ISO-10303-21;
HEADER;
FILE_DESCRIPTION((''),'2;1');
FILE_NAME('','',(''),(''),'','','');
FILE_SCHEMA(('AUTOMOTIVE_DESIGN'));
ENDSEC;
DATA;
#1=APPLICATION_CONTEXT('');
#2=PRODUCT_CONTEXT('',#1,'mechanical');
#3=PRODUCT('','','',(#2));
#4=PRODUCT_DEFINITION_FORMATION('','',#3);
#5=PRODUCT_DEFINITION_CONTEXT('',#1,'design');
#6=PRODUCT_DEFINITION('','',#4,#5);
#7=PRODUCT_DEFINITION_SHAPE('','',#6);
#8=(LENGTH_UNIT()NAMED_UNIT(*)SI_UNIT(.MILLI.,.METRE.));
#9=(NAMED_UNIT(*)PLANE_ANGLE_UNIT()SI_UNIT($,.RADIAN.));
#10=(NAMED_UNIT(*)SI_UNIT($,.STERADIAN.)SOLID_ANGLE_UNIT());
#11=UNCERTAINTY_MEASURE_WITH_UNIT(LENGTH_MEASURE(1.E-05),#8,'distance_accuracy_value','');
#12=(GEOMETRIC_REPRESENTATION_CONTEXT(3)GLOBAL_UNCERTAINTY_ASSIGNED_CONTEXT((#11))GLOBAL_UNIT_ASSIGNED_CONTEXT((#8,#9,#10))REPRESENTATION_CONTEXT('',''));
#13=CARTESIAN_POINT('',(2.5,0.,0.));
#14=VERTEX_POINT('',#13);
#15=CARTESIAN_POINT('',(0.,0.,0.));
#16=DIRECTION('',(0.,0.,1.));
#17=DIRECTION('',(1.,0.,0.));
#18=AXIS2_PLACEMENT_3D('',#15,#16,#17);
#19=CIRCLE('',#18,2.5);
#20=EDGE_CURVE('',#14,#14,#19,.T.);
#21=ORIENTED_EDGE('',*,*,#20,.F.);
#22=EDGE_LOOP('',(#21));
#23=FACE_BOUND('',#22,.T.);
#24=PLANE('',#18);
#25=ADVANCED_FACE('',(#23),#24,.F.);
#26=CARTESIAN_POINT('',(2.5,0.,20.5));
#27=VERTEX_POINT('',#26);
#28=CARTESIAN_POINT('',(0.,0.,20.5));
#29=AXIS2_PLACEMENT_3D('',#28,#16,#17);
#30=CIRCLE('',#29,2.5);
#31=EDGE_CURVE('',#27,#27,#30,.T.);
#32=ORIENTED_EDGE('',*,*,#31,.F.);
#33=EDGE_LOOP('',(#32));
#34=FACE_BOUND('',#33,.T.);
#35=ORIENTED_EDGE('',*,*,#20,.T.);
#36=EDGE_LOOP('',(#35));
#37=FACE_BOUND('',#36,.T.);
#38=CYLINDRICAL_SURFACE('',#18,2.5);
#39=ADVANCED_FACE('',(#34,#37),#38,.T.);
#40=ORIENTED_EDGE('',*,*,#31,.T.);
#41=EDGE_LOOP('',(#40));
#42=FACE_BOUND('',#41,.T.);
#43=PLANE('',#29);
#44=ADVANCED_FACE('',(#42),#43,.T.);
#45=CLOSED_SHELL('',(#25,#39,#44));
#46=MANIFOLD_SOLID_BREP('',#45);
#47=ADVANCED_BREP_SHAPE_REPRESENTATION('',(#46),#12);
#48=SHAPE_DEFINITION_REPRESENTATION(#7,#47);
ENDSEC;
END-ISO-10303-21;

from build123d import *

# Parameters (mm, degrees)
SKETCH2_R = 2.5
SKETCH3_R = 2.5


with BuildPart() as part:
    # Sketch2 → Loft1 section 0
    with BuildSketch(Plane.XY):
        Circle(SKETCH2_R)
    # Sketch3 → Loft1 section 1
    with BuildSketch(Plane.XY.offset(20.5)):
        Circle(SKETCH3_R)
    loft()


solid = part.part
